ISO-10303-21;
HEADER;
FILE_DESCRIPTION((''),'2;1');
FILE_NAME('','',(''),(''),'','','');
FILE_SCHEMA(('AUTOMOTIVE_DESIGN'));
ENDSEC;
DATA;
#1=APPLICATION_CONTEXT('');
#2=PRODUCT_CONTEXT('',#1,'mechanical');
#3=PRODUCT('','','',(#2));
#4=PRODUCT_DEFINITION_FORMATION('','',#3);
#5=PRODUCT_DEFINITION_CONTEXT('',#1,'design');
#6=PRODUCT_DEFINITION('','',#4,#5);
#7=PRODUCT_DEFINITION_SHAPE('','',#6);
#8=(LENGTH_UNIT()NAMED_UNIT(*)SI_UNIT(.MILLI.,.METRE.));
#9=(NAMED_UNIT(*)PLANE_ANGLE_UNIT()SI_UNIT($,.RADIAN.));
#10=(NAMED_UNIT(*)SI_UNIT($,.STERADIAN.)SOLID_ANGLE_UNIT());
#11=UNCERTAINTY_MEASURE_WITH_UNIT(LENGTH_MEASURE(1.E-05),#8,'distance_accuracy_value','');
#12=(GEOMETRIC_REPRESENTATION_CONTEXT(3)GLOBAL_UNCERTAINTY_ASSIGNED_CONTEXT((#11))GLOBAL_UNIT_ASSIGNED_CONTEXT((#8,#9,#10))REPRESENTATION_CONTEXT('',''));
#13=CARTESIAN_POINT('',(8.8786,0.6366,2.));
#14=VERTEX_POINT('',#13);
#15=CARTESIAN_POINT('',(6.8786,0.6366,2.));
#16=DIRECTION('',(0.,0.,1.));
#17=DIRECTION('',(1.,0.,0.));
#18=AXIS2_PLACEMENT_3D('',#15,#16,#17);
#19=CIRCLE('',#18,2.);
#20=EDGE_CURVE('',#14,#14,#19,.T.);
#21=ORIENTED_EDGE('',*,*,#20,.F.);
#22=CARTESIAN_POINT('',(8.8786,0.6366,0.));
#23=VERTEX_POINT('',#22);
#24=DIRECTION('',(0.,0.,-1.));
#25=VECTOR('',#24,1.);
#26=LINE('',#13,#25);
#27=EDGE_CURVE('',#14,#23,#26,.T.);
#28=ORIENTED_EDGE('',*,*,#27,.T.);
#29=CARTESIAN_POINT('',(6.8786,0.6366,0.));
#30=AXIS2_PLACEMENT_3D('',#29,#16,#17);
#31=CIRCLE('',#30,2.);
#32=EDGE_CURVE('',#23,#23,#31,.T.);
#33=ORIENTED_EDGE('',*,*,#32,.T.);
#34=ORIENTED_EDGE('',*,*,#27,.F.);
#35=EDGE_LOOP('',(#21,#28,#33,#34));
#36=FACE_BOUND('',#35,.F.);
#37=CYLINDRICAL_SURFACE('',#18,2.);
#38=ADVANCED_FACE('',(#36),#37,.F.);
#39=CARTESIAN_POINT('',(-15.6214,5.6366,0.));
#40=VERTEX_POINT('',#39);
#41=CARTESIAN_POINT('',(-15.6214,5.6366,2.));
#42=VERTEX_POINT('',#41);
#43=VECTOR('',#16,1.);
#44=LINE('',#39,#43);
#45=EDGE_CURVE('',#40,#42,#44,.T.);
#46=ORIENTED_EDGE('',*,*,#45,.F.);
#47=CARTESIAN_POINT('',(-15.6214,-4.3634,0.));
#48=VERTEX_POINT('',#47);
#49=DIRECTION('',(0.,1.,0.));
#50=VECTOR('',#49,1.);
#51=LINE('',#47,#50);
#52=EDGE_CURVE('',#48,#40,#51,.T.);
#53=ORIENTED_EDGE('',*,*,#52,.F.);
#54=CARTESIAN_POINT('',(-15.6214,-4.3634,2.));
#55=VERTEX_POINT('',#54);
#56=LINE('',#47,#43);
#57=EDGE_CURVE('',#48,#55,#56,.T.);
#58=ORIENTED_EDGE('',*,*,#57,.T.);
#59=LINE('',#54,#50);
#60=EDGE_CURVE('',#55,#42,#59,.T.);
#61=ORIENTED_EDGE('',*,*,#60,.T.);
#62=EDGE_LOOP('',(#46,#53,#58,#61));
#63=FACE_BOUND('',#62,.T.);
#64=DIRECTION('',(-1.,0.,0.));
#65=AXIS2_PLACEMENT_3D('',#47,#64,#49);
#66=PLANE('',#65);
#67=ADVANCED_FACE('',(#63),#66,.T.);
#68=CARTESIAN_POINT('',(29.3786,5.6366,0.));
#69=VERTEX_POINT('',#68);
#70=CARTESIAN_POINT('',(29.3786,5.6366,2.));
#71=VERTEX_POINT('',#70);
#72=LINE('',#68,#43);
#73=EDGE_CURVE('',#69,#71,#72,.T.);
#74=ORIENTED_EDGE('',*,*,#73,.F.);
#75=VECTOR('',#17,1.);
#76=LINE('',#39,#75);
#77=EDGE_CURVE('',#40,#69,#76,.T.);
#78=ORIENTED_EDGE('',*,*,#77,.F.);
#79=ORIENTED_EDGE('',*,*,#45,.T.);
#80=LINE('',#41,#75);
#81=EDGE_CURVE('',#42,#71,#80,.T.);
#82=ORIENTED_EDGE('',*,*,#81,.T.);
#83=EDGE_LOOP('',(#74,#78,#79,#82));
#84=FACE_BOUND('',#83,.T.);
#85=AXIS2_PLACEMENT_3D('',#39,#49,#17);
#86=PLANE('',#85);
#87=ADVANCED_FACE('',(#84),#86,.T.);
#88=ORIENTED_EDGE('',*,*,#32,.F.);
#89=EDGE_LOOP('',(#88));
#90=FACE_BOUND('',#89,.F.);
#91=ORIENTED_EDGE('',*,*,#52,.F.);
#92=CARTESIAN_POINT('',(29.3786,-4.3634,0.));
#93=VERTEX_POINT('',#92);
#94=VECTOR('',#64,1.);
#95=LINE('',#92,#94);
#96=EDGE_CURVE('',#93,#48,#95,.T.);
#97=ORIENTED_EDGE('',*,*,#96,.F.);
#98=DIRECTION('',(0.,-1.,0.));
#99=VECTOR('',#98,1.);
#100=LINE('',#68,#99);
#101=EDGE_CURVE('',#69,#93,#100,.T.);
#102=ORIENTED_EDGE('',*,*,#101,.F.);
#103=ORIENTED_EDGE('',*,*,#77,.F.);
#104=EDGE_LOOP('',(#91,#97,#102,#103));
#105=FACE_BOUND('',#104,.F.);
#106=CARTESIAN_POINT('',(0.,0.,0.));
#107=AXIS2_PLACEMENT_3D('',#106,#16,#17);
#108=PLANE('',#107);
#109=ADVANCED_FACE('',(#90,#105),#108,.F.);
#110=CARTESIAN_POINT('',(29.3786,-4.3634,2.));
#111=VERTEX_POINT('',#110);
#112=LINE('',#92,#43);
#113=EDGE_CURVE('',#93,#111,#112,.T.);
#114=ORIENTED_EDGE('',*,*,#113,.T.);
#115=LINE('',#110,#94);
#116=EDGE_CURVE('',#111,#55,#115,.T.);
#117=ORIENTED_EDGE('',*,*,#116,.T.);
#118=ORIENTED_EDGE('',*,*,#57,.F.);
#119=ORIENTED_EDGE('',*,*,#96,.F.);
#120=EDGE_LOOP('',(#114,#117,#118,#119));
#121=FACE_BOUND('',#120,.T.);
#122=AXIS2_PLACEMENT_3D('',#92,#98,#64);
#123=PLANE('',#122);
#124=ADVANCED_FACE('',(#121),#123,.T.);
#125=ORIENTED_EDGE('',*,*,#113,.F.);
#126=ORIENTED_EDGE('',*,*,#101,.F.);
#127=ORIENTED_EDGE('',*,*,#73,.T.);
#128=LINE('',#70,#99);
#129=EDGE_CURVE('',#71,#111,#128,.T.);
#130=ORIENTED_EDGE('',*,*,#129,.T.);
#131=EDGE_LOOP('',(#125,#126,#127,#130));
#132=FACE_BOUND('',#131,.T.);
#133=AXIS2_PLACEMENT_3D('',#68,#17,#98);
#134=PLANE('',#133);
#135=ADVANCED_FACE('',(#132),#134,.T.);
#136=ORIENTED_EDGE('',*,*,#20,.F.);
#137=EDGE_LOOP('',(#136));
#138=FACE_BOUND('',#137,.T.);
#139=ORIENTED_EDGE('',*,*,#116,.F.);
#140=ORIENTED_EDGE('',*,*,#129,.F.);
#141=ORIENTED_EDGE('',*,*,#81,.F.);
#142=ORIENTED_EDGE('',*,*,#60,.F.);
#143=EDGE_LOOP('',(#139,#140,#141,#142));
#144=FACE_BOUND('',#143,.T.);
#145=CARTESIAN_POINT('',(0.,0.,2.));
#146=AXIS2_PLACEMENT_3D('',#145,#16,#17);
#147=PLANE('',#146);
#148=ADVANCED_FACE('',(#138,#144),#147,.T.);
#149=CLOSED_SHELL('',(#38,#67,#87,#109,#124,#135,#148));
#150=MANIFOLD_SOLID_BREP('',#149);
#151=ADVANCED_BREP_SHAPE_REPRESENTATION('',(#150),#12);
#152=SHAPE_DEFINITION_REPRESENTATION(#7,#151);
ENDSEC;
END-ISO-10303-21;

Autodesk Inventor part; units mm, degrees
ref_plane "YZ Plane" through (0, 0, 0) normal (1, 0, 0) x (0, 1, 0)
ref_plane "XZ Plane" through (0, 0, 0) normal (0, 1, 0) x (-1, 0, 0)
ref_plane "XY Plane" through (0, 0, 0) normal (0, 0, 1) x (1, 0, 0)
sketch "Sketch1" plane through (0, 0, 0) normal (0, 0, 1) x (1, 0, 0)
  line L0 (-15.6214, 5.6366) -> (29.3786, 5.6366)
  line L1 (29.3786, 5.6366) -> (29.3786, -4.3634)
  line L2 (29.3786, -4.3634) -> (-15.6214, -4.3634)
  line L3 (-15.6214, -4.3634) -> (-15.6214, 5.6366)
  point P0 (0, 0)
  dimension "d1" = 45
  dimension "d2" = 10
extrude "Extrusion1" add sketch "Sketch1" along normal blind 2
sketch "Sketch2" plane through (0, 0, 2) normal (0, 0, 1) x (1, 0, 0)
  line L0 (-15.6214, 5.6366) -> (-15.6214, -4.3634) projected
  circle A0 centre (6.8786, 0.6366) radius 2
  point P0 (0, 0)
  dimension "d6" = 4
extrude "Extrusion2" cut sketch "Sketch2" against normal blind 2
properties part number "Moving eyebrow2" material "Wood (Maple)"
